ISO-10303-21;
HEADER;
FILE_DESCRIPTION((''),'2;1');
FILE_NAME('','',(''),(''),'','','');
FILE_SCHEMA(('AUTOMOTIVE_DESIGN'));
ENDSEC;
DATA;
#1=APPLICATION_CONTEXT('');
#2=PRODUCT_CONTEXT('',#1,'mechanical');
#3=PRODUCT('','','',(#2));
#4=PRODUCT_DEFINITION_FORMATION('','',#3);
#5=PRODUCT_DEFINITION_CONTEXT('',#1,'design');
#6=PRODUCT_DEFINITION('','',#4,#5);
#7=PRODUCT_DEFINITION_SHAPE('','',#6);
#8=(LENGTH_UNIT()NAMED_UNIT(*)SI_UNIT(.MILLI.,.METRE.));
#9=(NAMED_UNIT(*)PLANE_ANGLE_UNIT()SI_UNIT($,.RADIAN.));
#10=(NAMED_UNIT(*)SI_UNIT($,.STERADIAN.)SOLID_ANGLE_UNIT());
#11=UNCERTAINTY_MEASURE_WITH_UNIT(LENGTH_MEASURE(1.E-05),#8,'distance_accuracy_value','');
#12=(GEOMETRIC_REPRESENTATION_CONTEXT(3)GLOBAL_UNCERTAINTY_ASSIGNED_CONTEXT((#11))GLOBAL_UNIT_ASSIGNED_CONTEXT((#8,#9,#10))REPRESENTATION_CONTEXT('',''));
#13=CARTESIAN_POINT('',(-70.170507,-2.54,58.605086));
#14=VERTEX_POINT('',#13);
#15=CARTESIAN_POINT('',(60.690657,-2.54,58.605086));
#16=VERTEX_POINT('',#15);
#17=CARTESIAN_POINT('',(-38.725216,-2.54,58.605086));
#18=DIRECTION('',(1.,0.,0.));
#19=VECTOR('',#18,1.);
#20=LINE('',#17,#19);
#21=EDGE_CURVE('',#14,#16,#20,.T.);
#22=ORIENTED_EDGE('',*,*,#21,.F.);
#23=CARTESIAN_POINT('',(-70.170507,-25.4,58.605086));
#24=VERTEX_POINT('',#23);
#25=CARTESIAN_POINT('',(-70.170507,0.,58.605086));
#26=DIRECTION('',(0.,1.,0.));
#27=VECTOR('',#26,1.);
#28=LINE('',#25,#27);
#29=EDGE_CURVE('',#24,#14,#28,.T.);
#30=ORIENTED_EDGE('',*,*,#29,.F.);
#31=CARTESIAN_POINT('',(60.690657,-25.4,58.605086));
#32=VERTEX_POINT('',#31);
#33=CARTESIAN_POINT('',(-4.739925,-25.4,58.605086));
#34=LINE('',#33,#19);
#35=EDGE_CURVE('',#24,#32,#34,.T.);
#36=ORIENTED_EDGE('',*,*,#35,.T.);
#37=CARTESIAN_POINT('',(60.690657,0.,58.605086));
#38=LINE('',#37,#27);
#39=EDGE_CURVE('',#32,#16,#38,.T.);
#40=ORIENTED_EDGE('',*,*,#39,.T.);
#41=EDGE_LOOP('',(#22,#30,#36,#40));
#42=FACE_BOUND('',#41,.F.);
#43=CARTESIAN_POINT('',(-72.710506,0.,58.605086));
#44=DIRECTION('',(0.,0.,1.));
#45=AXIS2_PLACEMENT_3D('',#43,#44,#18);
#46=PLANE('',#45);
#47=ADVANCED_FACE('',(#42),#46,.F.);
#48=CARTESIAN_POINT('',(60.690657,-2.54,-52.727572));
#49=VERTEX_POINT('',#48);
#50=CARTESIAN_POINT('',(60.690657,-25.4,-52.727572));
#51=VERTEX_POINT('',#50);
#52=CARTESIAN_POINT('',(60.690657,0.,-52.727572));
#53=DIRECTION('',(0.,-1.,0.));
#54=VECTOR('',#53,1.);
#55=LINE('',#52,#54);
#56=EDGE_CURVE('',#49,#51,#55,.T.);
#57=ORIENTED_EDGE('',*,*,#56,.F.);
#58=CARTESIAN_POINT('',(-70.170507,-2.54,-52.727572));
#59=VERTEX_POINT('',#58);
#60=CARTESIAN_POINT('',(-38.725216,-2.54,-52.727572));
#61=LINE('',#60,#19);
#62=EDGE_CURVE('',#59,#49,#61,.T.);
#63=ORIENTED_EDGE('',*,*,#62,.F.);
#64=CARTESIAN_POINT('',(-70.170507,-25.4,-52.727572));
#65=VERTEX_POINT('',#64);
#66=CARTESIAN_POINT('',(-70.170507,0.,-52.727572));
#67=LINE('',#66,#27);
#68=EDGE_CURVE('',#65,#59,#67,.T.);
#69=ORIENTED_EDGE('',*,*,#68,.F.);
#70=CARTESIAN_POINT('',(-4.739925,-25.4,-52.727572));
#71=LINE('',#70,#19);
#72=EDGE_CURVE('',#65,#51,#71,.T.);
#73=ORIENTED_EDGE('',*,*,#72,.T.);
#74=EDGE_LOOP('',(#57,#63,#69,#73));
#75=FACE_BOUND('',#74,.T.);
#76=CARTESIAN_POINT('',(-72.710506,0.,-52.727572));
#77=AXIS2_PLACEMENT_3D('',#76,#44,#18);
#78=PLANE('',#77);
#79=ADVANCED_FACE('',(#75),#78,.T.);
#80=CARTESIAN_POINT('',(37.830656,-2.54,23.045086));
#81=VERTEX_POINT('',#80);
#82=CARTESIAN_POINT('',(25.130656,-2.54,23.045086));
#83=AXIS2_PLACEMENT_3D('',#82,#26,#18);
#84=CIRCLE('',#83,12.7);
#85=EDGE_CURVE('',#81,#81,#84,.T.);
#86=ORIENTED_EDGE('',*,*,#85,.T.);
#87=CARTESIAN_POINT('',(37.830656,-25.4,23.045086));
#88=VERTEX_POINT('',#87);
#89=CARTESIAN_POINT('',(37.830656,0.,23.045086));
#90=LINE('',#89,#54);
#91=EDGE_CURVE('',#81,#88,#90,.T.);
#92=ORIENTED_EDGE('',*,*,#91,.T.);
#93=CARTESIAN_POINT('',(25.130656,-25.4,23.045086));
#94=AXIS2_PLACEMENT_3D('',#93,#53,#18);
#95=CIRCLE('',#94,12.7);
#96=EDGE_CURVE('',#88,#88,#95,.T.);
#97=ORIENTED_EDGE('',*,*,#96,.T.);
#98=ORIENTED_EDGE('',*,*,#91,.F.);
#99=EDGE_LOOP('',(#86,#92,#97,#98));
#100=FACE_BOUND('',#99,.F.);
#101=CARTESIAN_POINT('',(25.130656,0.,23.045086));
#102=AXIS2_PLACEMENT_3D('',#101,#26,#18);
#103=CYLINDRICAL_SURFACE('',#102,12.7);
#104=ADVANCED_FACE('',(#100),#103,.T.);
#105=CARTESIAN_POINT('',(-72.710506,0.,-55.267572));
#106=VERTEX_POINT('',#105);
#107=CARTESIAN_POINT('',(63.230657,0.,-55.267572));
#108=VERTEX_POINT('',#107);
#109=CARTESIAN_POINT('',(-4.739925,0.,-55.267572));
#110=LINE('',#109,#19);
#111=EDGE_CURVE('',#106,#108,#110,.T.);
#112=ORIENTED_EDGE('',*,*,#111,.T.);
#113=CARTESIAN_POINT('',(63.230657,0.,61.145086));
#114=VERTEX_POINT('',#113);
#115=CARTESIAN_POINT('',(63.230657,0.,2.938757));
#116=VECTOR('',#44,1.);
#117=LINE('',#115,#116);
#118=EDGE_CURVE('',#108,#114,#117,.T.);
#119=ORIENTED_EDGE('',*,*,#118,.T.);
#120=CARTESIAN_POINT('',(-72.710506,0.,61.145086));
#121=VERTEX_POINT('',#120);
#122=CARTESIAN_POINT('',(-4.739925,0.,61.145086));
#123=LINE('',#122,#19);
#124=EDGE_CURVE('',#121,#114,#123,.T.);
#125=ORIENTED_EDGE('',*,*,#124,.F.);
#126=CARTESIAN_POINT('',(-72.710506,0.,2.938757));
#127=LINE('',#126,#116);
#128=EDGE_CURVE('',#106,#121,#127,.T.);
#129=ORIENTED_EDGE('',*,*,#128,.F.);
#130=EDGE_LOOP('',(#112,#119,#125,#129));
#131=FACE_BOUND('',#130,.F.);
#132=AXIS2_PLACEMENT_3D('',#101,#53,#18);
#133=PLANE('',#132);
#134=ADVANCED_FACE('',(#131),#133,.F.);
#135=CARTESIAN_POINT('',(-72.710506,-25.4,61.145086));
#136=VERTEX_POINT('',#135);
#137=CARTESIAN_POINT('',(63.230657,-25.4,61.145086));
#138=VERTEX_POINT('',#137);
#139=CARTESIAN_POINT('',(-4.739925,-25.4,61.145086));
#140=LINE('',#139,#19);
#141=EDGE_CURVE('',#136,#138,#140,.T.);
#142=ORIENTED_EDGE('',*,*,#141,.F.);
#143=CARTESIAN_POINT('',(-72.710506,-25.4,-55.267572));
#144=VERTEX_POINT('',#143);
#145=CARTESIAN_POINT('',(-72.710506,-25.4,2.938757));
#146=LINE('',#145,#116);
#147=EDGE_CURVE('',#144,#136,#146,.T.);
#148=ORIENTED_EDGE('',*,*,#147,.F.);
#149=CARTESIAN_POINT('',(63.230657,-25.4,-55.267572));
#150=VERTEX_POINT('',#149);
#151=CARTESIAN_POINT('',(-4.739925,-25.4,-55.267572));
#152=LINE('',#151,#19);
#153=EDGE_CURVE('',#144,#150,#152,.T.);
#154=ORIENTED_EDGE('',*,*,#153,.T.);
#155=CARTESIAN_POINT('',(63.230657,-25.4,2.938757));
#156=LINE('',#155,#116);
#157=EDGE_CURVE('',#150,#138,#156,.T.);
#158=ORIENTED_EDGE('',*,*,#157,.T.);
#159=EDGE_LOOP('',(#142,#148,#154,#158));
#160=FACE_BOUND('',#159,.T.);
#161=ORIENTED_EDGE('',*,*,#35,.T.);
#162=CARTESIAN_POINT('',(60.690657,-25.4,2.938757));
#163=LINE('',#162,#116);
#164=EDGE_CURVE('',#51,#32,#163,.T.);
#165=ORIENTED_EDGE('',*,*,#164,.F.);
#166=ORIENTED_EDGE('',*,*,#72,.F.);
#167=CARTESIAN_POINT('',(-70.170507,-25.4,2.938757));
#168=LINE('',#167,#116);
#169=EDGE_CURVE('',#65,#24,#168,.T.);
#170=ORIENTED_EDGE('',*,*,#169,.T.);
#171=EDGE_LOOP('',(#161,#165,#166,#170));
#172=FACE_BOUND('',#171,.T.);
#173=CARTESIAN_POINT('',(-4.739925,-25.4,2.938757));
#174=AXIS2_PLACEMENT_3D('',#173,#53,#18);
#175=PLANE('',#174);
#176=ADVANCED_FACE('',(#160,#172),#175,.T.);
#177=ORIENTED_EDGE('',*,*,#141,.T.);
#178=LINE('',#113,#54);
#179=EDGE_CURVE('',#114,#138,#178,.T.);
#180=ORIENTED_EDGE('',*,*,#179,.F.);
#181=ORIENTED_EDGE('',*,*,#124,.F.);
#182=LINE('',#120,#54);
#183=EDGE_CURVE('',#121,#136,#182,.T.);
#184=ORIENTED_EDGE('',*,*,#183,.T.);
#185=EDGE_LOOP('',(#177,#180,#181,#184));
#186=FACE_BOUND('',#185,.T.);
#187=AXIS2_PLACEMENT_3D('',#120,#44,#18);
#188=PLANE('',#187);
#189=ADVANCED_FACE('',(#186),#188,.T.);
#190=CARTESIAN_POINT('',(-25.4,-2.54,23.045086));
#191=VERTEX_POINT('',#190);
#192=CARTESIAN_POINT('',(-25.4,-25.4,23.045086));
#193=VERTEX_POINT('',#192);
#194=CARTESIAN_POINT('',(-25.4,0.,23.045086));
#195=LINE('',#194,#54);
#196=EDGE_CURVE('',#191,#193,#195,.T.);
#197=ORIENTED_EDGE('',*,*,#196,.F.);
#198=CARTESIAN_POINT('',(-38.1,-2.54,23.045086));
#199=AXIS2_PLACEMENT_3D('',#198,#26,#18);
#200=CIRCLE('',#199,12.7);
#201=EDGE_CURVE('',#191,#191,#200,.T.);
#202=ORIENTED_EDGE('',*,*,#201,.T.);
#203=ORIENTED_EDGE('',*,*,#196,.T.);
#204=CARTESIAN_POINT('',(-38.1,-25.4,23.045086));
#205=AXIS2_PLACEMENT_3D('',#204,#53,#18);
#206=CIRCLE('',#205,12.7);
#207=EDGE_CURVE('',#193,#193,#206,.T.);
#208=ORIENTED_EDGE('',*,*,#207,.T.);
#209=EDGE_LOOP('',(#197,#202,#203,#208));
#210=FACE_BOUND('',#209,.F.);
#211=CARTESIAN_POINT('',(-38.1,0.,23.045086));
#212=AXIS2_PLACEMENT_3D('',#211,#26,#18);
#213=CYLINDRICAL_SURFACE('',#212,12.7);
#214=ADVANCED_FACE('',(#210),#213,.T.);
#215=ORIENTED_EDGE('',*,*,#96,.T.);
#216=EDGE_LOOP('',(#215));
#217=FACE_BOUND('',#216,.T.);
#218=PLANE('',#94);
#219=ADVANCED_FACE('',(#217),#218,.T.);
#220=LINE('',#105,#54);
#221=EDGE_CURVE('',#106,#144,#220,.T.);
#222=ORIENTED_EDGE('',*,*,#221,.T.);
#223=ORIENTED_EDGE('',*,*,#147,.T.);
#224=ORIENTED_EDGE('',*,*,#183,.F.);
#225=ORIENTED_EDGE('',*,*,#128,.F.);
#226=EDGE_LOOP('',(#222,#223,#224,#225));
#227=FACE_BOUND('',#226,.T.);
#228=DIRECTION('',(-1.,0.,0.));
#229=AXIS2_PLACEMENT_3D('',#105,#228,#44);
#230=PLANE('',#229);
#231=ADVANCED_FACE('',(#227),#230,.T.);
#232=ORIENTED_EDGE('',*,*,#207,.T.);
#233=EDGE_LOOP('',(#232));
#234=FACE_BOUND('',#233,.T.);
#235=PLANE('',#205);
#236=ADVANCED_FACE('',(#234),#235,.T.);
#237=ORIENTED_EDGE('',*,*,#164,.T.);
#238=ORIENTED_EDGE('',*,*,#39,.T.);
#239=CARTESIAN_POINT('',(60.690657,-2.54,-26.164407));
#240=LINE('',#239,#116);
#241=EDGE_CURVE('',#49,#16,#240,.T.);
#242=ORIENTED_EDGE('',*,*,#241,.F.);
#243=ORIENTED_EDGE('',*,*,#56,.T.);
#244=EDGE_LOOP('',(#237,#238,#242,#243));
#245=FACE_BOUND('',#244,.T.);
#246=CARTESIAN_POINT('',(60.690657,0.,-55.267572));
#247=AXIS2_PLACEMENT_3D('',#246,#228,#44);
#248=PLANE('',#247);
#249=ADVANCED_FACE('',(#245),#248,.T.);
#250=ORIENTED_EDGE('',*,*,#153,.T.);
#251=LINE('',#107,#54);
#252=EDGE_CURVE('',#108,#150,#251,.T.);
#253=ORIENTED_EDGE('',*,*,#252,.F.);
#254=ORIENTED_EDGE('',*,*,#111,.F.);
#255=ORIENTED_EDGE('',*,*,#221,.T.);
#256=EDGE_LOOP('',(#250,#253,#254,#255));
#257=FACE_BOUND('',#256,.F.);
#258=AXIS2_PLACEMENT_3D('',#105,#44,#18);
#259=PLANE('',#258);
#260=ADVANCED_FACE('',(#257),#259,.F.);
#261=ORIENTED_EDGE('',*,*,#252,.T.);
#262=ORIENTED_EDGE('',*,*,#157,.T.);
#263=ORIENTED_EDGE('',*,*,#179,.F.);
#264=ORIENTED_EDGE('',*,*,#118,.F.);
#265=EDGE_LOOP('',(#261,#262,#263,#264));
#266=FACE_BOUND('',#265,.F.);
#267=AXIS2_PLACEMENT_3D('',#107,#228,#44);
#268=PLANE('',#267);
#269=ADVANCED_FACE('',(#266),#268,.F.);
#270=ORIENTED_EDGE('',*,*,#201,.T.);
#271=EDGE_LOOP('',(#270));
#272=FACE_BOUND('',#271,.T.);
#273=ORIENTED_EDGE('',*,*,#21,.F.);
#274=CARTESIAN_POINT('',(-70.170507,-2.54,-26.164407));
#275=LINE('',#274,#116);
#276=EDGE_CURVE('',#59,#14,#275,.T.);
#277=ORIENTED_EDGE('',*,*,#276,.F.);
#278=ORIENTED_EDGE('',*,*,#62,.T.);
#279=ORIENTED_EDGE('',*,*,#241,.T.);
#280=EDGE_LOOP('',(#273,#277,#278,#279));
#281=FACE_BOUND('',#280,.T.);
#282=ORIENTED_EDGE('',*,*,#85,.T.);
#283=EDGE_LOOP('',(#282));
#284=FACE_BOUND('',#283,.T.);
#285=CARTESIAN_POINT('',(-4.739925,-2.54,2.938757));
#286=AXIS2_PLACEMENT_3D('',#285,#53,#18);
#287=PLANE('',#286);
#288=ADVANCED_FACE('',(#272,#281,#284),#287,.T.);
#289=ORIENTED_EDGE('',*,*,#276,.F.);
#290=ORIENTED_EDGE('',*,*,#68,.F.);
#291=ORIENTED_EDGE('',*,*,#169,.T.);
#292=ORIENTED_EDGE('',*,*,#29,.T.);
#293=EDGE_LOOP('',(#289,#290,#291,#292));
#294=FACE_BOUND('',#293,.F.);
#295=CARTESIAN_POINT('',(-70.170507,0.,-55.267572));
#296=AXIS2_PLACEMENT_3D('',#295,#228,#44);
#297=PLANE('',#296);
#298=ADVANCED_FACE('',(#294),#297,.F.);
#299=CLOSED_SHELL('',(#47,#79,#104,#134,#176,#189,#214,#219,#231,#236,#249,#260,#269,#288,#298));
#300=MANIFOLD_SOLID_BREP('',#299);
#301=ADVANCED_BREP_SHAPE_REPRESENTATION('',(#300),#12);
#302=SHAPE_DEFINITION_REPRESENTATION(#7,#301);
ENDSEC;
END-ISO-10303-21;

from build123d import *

# Parameters (mm, degrees)
F0_W     = 135.941163
F0_H     = 116.412658
F1_DEPTH = 25.4
F2_T     = -2.54
F3_R     = 12.7
F4_DEPTH = 25.4
F5_R     = 12.7
F6_DEPTH = 25.4


with BuildPart() as f1:
    # F0 (on Front) → F1 (new body)
    with BuildSketch(Plane.XZ):
        with Locations((-4.739925, 2.938757)):
            Rectangle(F0_W, F0_H)
    extrude(amount=F1_DEPTH)

    # F2
    f2_openings = [f1.faces().sort_by_distance(p)[0] for p in [
        (-4.739925, -25.4, 2.938757),
    ]]
    offset(amount=F2_T, openings=f2_openings)

    # F3 (on Front) → F4 (join)
    with BuildSketch(Plane.XZ):
        with Locations((-38.1, 23.045086)):
            Circle(F3_R)
    extrude(amount=F4_DEPTH)

    # F5 (on Front) → F6 (join)
    with BuildSketch(Plane.XZ):
        with Locations((25.130656, 23.045086)):
            Circle(F5_R)
    extrude(amount=F6_DEPTH)


solid = f1.part
